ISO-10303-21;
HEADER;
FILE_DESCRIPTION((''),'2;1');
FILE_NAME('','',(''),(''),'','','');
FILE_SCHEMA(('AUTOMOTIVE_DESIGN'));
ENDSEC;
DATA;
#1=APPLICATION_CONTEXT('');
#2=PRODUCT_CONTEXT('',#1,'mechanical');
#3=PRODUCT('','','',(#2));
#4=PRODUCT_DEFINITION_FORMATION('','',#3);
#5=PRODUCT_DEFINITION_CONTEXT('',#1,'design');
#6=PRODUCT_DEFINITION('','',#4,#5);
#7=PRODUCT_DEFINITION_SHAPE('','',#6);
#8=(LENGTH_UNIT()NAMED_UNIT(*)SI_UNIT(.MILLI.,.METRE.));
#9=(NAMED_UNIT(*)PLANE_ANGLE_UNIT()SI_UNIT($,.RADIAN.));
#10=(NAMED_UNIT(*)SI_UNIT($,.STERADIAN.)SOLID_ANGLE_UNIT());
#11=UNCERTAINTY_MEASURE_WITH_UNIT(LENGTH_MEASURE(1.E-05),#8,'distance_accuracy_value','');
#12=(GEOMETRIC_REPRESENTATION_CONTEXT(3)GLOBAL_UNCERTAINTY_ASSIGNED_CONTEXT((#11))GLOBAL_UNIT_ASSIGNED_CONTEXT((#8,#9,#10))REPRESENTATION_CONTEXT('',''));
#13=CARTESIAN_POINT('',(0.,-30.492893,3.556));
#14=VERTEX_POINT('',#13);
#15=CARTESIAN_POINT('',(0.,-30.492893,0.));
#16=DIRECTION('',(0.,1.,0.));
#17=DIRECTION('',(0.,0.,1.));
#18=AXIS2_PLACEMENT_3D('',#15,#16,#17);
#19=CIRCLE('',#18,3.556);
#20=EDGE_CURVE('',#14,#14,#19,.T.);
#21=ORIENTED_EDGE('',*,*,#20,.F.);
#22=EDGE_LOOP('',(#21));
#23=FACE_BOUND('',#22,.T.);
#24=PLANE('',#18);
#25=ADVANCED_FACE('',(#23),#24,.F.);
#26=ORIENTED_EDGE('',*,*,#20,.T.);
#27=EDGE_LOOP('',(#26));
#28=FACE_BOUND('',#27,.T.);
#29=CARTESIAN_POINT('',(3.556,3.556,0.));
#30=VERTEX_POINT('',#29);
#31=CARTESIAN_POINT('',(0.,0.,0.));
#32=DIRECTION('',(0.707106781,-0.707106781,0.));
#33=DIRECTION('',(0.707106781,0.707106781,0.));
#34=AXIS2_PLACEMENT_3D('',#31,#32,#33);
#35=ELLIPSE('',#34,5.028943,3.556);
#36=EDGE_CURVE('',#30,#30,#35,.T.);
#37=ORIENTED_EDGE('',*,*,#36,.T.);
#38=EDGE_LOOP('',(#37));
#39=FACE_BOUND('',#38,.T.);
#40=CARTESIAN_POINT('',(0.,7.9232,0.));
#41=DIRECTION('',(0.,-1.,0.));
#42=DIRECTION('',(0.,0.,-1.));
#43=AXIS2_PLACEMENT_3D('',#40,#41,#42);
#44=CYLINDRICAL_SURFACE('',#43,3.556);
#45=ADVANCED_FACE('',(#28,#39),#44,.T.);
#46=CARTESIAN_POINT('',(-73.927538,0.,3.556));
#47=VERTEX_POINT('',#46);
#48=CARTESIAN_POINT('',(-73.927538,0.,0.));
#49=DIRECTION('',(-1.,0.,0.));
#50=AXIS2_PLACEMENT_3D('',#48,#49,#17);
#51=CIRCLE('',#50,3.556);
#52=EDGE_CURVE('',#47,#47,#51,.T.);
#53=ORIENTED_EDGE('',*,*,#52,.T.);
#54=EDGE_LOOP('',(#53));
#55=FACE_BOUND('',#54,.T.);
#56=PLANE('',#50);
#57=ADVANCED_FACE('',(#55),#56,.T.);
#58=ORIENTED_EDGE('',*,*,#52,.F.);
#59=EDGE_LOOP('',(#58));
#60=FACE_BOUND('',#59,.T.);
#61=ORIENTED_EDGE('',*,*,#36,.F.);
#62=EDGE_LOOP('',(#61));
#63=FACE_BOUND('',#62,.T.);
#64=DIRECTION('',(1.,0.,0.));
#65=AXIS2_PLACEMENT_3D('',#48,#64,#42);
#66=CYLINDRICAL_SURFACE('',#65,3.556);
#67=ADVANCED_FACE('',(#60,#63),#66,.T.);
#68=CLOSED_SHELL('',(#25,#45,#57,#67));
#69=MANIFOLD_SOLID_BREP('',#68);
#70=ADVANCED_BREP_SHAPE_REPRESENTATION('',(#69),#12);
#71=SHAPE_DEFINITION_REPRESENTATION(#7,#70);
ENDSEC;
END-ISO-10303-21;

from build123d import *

# Parameters (mm, degrees)
SWEEP2_PROFILE_R = 3.556


with BuildPart() as part:
    # Sweep2: sweep along a path in Sketch1
    with BuildLine(Plane.XY) as sweep2_path:
        Line((-73.927538071, 0), (0, 0))
        Line((0, 0), (0, -30.492893401))
    # Sweep2 profile (on start of the path) → Sweep2 (sweep)
    with BuildSketch(Plane(origin=(-73.927538071, 0, 0), x_dir=(0, 0, 1), z_dir=(1, 0, 0))):
        Circle(SWEEP2_PROFILE_R)
    sweep(path=sweep2_path.line, transition=Transition.RIGHT)


solid = part.part
